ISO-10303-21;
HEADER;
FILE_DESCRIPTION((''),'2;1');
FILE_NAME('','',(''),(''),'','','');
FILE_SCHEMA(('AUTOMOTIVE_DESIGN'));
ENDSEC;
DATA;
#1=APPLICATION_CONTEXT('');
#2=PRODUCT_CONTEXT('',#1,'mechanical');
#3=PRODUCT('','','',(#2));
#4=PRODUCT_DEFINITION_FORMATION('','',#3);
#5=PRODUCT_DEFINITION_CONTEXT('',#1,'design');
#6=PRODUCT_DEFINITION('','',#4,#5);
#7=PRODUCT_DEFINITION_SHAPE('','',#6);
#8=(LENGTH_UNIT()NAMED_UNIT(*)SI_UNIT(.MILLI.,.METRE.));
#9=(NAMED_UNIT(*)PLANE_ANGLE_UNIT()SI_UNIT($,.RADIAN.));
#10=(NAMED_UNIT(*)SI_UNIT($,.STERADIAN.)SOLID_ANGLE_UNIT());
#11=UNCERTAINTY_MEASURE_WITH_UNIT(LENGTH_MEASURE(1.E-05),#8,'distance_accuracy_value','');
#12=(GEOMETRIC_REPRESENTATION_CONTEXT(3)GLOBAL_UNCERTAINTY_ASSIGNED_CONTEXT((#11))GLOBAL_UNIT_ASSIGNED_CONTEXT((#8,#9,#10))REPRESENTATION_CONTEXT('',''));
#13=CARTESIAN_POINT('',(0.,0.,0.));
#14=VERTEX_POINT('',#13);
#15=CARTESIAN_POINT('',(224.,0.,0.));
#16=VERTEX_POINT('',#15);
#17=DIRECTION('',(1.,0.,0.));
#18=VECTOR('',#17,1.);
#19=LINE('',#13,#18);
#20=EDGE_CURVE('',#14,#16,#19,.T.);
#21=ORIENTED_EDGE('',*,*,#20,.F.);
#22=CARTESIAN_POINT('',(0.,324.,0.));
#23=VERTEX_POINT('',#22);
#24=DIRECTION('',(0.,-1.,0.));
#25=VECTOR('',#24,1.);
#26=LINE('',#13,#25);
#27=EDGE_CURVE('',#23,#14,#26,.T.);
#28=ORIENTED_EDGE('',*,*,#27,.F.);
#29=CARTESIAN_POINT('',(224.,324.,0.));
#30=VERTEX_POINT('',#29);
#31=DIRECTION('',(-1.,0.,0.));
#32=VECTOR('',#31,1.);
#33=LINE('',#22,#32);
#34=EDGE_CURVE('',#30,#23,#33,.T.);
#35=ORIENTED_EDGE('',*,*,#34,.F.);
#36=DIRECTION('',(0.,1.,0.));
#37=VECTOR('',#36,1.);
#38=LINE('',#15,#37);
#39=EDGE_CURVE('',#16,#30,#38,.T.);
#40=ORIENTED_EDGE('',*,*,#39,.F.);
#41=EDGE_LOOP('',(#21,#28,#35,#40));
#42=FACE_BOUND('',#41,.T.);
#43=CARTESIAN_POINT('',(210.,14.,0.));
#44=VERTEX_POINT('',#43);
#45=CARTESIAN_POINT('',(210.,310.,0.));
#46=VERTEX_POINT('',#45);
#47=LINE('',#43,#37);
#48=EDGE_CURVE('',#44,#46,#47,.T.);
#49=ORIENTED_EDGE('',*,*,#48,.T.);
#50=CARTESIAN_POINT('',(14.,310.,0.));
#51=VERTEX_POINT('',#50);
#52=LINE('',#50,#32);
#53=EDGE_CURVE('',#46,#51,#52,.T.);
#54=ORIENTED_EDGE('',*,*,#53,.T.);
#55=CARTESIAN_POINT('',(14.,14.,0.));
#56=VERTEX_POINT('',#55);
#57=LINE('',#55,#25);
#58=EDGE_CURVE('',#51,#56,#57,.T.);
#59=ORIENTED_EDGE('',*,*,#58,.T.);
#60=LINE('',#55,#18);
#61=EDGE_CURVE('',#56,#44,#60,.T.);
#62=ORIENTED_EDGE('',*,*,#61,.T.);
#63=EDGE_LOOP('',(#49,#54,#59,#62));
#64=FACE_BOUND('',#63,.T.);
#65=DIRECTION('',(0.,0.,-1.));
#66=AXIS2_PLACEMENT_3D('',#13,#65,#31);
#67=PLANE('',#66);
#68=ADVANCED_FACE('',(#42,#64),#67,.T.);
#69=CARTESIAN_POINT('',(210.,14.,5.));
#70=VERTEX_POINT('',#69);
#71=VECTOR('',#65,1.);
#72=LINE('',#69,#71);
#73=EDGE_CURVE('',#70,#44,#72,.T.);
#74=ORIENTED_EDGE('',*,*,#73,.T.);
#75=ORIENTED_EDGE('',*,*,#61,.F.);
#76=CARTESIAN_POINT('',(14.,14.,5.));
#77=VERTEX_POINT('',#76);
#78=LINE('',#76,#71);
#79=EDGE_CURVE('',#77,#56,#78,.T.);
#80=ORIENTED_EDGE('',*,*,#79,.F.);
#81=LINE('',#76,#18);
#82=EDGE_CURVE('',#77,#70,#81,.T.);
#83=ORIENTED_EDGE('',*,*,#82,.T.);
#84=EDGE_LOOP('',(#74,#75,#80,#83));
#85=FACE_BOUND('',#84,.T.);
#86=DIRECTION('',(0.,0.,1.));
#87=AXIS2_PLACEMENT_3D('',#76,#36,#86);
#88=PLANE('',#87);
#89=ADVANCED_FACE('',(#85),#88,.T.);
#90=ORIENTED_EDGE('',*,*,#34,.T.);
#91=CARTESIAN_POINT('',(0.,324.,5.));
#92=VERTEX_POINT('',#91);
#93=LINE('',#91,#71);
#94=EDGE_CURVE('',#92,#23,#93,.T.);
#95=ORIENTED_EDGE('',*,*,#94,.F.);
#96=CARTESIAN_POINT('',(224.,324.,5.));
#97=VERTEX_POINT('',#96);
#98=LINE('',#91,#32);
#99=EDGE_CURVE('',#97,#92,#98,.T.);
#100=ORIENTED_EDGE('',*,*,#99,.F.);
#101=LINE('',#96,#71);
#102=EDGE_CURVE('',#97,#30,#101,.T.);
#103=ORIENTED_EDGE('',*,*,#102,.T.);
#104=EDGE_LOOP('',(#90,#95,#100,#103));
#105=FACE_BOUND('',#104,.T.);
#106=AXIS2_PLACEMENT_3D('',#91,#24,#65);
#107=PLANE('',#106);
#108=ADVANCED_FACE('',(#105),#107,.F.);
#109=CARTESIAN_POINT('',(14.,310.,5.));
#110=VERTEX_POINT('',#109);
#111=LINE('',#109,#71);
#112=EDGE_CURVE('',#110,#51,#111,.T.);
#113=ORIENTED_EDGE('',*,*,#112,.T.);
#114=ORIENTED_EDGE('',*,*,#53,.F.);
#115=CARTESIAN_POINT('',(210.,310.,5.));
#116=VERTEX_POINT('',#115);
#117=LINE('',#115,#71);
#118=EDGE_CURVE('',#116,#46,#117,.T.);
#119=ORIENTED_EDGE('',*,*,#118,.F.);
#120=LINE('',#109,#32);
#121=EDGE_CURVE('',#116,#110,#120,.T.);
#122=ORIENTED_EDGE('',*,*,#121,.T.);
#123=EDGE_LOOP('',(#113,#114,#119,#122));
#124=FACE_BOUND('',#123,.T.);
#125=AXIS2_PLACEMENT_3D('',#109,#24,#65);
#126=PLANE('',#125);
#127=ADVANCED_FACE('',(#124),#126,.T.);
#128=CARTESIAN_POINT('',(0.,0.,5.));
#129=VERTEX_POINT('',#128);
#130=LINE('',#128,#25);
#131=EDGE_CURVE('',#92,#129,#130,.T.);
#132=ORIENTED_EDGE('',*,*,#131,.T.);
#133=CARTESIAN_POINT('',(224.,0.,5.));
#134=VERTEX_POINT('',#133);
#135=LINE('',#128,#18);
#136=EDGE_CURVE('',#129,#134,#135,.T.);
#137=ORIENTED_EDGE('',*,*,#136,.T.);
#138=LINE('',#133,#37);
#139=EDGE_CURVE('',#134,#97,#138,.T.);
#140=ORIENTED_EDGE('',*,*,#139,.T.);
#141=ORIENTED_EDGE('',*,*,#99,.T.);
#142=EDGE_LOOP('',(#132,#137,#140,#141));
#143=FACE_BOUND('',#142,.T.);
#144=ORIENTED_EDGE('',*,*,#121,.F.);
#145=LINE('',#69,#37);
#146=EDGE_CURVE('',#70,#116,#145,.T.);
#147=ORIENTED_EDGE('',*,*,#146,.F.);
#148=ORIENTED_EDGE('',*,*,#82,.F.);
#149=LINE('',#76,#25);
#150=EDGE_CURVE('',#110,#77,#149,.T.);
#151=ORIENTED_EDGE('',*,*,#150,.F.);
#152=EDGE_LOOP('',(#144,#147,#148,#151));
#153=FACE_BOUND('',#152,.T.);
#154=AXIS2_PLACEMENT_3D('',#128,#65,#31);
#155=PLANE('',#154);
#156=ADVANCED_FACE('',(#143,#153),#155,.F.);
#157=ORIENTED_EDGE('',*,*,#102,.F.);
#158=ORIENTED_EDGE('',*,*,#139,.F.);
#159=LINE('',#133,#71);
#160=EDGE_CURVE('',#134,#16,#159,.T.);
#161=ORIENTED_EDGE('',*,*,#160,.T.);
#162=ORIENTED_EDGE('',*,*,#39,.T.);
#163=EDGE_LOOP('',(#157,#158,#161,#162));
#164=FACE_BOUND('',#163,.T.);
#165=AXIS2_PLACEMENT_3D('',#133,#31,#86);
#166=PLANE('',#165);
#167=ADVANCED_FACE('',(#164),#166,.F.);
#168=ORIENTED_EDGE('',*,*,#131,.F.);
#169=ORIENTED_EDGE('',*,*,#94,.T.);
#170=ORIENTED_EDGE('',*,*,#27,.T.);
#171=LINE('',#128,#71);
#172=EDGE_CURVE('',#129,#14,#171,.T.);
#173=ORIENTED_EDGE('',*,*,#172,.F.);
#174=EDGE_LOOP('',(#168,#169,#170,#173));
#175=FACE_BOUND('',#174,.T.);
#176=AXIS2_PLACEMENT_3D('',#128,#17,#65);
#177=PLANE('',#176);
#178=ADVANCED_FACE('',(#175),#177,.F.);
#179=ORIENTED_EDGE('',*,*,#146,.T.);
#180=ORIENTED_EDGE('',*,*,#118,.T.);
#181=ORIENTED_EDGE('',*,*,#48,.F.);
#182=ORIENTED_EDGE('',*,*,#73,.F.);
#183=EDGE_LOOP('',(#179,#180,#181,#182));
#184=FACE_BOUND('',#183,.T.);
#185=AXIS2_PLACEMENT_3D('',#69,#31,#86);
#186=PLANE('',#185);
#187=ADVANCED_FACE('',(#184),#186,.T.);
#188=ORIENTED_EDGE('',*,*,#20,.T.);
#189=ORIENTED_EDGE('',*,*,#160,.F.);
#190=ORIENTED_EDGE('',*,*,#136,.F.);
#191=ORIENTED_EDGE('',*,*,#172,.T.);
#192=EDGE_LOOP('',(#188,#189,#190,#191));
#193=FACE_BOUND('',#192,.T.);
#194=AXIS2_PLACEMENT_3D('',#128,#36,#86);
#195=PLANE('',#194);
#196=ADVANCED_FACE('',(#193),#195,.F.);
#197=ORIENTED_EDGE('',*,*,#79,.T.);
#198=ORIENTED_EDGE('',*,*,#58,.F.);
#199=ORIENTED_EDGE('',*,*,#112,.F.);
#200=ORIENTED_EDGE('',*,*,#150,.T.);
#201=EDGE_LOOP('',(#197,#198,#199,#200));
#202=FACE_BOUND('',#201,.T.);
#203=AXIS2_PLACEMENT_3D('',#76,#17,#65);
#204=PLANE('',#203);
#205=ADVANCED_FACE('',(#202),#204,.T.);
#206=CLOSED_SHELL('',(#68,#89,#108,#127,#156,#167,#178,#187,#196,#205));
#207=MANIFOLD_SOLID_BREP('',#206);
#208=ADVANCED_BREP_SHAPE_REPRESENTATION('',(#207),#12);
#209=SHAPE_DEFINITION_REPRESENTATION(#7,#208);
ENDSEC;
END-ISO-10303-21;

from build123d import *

# Parameters (mm, degrees)
SKETCH1_W     = 224
SKETCH1_H     = 324
SKETCH1_W_2   = 196
SKETCH1_H_2   = 296
PROFILE_DEPTH = 5


with BuildPart() as part:
    # Sketch1 → Profile (new body)
    with BuildSketch(Plane.XY):
        with Locations((112, 162)):
            Rectangle(SKETCH1_W, SKETCH1_H)
        with Locations((112, 162)):
            Rectangle(SKETCH1_W_2, SKETCH1_H_2, mode=Mode.SUBTRACT)
    extrude(amount=PROFILE_DEPTH)


solid = part.part
